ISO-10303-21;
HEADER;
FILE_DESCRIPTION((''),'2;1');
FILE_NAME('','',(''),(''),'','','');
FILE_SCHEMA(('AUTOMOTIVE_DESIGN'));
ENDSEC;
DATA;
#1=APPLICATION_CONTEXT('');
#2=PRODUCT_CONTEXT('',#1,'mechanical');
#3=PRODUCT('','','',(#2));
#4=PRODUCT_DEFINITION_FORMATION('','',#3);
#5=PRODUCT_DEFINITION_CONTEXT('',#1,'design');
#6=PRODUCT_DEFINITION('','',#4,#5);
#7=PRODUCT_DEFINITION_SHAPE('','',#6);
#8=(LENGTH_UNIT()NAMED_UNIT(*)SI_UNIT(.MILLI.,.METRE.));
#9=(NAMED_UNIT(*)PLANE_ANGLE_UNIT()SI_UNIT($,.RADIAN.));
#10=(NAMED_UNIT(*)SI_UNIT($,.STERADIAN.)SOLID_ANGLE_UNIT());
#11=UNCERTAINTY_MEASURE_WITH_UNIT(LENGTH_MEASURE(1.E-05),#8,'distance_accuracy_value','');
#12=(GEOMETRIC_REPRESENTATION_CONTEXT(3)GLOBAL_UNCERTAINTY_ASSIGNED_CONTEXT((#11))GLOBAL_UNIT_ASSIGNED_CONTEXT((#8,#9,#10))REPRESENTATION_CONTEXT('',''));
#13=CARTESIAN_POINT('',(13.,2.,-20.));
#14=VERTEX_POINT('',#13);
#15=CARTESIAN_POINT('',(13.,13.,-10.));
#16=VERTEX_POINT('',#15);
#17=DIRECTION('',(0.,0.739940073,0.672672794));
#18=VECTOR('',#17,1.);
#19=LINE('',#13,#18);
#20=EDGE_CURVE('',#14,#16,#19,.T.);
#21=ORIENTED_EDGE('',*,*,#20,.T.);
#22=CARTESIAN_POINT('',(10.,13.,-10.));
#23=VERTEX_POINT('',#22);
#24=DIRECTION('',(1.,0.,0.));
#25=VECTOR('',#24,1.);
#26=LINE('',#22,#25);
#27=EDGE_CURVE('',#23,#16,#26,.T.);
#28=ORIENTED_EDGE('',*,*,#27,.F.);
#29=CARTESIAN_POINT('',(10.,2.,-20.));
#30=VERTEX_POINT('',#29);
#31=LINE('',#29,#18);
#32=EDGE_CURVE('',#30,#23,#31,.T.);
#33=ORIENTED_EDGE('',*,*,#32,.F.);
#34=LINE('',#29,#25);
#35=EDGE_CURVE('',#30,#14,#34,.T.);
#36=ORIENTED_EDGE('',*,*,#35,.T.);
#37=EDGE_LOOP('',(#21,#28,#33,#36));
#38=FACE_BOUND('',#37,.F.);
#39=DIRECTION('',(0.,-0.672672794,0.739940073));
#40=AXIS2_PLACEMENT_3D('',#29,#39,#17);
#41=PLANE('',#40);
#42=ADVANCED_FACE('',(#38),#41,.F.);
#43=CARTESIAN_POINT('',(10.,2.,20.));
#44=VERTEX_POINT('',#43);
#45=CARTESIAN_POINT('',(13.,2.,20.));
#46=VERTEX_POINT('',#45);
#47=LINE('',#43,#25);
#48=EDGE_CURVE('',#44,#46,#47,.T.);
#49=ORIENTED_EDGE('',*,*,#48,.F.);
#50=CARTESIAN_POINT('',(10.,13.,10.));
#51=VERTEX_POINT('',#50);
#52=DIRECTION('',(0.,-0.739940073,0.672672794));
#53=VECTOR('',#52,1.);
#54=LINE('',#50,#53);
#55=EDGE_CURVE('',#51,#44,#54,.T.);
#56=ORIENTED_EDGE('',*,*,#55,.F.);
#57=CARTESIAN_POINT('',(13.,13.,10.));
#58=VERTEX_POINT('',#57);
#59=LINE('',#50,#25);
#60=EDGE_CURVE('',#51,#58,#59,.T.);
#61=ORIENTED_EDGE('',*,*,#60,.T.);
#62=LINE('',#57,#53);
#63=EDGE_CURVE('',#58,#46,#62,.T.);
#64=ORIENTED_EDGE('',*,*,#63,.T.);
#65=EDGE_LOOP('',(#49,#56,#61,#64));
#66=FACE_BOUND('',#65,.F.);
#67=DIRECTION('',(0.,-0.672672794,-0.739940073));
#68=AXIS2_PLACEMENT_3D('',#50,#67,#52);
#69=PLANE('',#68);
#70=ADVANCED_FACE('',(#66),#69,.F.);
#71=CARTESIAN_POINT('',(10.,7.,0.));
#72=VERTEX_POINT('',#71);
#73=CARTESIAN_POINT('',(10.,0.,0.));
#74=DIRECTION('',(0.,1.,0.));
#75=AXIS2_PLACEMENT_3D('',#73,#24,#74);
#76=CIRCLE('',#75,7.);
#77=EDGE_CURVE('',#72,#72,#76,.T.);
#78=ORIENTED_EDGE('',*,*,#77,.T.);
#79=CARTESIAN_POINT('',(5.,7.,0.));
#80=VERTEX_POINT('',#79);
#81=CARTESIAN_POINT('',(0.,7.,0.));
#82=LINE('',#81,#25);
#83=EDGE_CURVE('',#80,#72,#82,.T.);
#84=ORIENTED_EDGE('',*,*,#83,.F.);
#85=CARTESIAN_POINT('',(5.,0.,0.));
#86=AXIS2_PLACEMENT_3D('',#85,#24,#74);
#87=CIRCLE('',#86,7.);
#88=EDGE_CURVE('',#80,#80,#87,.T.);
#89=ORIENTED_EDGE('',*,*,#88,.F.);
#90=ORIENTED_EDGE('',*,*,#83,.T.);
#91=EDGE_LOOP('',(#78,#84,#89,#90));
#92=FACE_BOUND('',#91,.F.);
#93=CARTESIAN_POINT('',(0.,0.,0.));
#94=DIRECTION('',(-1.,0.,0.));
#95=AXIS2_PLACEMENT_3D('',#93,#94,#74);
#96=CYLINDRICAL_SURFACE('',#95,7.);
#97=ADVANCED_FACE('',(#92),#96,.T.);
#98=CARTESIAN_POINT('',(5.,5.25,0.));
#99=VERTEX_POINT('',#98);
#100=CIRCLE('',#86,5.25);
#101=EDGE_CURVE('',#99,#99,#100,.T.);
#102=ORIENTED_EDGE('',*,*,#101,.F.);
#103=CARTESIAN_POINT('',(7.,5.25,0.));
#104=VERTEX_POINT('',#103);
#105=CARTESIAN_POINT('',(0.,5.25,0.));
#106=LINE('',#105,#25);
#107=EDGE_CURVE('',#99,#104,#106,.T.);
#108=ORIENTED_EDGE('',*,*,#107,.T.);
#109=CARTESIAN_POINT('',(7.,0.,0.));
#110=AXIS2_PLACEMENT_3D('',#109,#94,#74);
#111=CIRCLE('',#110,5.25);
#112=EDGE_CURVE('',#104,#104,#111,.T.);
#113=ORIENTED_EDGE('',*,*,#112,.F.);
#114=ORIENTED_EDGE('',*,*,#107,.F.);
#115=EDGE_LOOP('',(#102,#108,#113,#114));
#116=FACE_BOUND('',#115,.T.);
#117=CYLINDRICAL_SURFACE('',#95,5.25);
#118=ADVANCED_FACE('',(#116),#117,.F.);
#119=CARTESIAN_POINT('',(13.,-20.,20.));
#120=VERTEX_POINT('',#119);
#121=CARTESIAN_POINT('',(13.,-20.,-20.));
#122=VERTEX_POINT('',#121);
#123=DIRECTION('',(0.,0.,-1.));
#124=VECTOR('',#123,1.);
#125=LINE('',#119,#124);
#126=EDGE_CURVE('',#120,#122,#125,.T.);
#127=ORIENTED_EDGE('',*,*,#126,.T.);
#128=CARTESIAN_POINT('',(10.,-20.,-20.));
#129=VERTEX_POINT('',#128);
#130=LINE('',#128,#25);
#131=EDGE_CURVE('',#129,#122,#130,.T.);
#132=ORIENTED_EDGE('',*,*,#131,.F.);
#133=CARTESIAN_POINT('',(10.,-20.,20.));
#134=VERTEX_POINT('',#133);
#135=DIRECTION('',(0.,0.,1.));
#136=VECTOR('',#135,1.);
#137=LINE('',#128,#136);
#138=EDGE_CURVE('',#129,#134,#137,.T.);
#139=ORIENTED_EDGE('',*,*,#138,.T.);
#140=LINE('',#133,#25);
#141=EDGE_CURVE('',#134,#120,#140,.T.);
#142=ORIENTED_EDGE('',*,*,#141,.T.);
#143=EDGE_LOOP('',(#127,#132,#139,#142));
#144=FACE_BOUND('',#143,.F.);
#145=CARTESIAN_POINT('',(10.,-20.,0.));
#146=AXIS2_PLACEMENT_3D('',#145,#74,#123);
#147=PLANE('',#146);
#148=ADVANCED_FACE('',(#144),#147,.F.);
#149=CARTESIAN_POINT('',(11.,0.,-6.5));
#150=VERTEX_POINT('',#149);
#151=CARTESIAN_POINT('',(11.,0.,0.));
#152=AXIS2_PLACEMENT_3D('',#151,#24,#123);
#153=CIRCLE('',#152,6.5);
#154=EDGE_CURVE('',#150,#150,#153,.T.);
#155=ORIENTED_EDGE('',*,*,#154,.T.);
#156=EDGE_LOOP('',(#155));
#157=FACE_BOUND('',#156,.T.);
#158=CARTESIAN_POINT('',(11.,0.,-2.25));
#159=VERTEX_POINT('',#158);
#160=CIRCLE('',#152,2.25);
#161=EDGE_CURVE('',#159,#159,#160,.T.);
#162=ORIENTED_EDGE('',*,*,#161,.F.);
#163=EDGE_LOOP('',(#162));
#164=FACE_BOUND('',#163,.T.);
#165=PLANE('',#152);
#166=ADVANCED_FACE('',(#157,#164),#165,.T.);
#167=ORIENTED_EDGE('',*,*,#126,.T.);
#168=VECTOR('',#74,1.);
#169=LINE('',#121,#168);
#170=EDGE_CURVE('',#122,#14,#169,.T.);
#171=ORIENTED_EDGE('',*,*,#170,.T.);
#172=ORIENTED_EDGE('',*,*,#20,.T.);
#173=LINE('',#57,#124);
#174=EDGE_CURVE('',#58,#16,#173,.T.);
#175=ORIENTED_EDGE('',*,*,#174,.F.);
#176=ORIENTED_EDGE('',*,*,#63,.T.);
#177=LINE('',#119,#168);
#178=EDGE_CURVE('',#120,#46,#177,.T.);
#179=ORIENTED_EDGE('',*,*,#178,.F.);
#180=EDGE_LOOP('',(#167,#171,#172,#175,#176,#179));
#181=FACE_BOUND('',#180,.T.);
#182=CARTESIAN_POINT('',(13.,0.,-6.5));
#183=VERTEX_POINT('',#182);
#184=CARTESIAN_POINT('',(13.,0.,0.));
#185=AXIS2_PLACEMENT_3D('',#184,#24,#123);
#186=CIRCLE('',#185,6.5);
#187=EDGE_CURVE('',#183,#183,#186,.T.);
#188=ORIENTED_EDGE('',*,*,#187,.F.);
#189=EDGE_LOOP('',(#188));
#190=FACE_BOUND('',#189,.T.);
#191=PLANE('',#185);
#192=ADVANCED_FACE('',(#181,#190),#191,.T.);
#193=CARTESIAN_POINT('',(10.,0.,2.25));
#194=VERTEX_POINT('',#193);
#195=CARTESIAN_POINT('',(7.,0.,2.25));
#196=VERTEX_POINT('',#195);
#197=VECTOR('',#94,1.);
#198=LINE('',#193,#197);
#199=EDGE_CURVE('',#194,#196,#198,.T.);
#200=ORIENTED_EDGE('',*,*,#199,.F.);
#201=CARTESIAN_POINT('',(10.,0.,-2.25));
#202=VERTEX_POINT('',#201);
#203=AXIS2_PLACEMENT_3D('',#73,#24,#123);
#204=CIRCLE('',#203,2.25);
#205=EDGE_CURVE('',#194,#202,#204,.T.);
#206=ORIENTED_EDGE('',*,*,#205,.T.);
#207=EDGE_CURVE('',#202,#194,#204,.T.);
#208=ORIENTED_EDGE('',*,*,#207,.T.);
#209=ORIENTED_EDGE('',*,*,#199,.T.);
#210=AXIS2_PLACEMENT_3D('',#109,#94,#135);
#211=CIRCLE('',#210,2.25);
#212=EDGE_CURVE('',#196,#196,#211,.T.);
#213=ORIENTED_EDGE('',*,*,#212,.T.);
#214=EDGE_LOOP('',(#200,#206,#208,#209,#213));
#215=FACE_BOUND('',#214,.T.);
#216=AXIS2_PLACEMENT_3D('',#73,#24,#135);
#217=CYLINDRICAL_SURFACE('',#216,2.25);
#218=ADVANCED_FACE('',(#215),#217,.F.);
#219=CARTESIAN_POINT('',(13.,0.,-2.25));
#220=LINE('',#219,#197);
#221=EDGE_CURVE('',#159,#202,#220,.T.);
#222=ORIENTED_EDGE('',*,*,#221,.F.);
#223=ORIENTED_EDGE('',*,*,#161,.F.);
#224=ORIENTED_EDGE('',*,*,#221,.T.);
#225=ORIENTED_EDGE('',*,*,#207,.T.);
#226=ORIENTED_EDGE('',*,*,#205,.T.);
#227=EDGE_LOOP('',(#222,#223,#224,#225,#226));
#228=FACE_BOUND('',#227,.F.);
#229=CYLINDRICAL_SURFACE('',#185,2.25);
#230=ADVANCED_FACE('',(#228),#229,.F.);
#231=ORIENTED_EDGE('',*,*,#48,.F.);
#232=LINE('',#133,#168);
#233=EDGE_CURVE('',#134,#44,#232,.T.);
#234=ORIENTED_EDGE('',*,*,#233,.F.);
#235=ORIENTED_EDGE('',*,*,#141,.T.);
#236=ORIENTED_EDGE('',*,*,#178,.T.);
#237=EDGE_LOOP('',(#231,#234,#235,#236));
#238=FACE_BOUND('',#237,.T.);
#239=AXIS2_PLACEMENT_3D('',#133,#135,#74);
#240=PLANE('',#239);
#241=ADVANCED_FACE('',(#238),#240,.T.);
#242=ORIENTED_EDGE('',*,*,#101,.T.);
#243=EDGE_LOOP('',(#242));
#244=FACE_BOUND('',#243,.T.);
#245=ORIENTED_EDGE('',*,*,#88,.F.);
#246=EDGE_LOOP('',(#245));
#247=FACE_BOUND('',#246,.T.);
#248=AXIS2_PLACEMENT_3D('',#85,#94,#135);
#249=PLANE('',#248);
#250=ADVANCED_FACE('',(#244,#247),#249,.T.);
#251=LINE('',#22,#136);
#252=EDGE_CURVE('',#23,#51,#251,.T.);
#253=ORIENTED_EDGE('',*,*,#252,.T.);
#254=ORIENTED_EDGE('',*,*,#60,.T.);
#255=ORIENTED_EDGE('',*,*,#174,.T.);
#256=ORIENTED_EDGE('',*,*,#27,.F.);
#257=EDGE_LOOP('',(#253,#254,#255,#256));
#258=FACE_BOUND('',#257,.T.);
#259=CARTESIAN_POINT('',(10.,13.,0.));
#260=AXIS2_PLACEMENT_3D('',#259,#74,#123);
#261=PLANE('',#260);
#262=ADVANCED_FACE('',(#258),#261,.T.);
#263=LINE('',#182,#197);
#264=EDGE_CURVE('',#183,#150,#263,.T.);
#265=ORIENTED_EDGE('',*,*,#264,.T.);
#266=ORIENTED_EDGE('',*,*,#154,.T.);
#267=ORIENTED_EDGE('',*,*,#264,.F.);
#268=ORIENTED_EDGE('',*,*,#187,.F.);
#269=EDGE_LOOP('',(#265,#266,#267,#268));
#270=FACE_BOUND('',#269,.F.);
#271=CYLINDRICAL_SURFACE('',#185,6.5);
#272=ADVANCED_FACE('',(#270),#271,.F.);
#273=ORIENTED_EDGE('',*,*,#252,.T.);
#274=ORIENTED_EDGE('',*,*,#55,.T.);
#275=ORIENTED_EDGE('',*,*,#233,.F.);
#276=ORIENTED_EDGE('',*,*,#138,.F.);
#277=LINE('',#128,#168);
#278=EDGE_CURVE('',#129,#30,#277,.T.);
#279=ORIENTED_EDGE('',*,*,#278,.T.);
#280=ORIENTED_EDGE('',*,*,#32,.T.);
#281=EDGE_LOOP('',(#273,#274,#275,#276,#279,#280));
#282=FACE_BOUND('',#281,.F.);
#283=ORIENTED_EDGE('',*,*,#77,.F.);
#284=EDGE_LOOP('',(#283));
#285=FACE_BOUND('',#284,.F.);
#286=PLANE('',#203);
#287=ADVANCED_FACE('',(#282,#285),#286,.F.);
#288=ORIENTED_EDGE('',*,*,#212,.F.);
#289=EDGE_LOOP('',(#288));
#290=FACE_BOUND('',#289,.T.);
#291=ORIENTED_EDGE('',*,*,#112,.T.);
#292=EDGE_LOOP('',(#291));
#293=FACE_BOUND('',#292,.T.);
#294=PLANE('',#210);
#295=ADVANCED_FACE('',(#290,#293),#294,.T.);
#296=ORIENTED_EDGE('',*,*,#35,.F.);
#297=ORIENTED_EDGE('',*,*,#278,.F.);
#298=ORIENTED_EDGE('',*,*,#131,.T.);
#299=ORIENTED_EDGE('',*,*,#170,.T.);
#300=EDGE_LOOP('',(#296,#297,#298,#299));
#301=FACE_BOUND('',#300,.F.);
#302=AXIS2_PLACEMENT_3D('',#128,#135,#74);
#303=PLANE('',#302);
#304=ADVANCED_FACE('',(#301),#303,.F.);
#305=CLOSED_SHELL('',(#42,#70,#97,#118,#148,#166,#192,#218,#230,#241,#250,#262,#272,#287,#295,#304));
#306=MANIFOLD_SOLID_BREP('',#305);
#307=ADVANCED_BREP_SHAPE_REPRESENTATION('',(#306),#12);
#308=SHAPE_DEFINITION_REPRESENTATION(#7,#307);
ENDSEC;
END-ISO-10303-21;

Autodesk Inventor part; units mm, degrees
ref_plane "YZ Plane" through (0, 0, 0) normal (1, 0, 0) x (0, 1, 0)
ref_plane "XZ Plane" through (0, 0, 0) normal (0, 1, 0) x (-1, 0, 0)
ref_plane "XY Plane" through (0, 0, 0) normal (0, 0, 1) x (1, 0, 0)
sketch "Esquisse1" plane through (0, 0, 0) normal (1, 0, 0) x (0, 1, 0)
  circle A0 centre (0, 0) radius 5.25
  circle A1 centre (0, 0) radius 7
  dimension "d0" = 10.5
  dimension "d1" = 14
extrude "Extrusion1" add sketch "Esquisse1" along normal blind 10
sketch "Esquisse2" plane through (10, 0, 0) normal (1, 0, 0) x (0, 0, -1)
  line L0 (20, -20) -> (-20, 20) construction
  line L1 (-20, -20) -> (20, 20) construction
  circle A0 centre (0, 0) radius 17.5 construction
  line L2 (0, 0) -> (0, 13) construction
  line L3 (0, 13) -> (10, 13)
  line L4 (10, 13) -> (-10, 13)
  line L5 (0, 0) -> (0, -20) construction
  line L6 (0, -20) -> (20, -20)
  line L7 (20, -20) -> (-20, -20)
  line L8 (-20, -20) -> (-20, 2)
  line L9 (20, -20) -> (20, 2)
  line L10 (20, 2) -> (10, 13)
  line L11 (-10, 13) -> (-20, 2)
  dimension "d41" = 35
  dimension "d44" = 13
  dimension "d45" = 10
  dimension "d46" = 20
  dimension "d47" = 20
  dimension "d48" = 20
  dimension "d49" = 22
  dimension "d50" = 14.8661
  dimension "d51" = 14.8661
extrude "Extrusion2" add sketch "Esquisse2" along normal blind 3
sketch "Esquisse7" plane through (13, 0, 0) normal (1, 0, 0) x (0, 0, -1)
  circle A0 centre (0, 0) radius 2.25
  dimension "d25" = 4.5
extrude "Extrusion7" cut sketch "Esquisse7" against normal blind 59.75
sketch "Esquisse12" plane through (0, 0, 0) normal (-1, 0, 0) x (0, 0, 1)
  circle A0 centre (0, 0) radius 5.25 projected
  circle A1 centre (0, 0) radius 7 projected
extrude "Extrusion10" cut sketch "Esquisse12" against normal blind 5
sketch "Esquisse13" plane through (13, 0, 0) normal (1, 0, 0) x (0, 0, -1)
  circle A0 centre (0, 0) radius 6.5
  dimension "d52" = 13
extrude "Extrusion11" cut sketch "Esquisse13" against normal blind 2
sketch "Esquisse14" plane through (10, 0, 0) normal (-1, 0, 0) x (0, 0, 1)
  circle A0 centre (0, 0) radius 2.25 projected
  circle A1 centre (0, 0) radius 5.25 projected
extrude "Extrusion12" add sketch "Esquisse14" along normal blind 3
properties part number "percuteur"
